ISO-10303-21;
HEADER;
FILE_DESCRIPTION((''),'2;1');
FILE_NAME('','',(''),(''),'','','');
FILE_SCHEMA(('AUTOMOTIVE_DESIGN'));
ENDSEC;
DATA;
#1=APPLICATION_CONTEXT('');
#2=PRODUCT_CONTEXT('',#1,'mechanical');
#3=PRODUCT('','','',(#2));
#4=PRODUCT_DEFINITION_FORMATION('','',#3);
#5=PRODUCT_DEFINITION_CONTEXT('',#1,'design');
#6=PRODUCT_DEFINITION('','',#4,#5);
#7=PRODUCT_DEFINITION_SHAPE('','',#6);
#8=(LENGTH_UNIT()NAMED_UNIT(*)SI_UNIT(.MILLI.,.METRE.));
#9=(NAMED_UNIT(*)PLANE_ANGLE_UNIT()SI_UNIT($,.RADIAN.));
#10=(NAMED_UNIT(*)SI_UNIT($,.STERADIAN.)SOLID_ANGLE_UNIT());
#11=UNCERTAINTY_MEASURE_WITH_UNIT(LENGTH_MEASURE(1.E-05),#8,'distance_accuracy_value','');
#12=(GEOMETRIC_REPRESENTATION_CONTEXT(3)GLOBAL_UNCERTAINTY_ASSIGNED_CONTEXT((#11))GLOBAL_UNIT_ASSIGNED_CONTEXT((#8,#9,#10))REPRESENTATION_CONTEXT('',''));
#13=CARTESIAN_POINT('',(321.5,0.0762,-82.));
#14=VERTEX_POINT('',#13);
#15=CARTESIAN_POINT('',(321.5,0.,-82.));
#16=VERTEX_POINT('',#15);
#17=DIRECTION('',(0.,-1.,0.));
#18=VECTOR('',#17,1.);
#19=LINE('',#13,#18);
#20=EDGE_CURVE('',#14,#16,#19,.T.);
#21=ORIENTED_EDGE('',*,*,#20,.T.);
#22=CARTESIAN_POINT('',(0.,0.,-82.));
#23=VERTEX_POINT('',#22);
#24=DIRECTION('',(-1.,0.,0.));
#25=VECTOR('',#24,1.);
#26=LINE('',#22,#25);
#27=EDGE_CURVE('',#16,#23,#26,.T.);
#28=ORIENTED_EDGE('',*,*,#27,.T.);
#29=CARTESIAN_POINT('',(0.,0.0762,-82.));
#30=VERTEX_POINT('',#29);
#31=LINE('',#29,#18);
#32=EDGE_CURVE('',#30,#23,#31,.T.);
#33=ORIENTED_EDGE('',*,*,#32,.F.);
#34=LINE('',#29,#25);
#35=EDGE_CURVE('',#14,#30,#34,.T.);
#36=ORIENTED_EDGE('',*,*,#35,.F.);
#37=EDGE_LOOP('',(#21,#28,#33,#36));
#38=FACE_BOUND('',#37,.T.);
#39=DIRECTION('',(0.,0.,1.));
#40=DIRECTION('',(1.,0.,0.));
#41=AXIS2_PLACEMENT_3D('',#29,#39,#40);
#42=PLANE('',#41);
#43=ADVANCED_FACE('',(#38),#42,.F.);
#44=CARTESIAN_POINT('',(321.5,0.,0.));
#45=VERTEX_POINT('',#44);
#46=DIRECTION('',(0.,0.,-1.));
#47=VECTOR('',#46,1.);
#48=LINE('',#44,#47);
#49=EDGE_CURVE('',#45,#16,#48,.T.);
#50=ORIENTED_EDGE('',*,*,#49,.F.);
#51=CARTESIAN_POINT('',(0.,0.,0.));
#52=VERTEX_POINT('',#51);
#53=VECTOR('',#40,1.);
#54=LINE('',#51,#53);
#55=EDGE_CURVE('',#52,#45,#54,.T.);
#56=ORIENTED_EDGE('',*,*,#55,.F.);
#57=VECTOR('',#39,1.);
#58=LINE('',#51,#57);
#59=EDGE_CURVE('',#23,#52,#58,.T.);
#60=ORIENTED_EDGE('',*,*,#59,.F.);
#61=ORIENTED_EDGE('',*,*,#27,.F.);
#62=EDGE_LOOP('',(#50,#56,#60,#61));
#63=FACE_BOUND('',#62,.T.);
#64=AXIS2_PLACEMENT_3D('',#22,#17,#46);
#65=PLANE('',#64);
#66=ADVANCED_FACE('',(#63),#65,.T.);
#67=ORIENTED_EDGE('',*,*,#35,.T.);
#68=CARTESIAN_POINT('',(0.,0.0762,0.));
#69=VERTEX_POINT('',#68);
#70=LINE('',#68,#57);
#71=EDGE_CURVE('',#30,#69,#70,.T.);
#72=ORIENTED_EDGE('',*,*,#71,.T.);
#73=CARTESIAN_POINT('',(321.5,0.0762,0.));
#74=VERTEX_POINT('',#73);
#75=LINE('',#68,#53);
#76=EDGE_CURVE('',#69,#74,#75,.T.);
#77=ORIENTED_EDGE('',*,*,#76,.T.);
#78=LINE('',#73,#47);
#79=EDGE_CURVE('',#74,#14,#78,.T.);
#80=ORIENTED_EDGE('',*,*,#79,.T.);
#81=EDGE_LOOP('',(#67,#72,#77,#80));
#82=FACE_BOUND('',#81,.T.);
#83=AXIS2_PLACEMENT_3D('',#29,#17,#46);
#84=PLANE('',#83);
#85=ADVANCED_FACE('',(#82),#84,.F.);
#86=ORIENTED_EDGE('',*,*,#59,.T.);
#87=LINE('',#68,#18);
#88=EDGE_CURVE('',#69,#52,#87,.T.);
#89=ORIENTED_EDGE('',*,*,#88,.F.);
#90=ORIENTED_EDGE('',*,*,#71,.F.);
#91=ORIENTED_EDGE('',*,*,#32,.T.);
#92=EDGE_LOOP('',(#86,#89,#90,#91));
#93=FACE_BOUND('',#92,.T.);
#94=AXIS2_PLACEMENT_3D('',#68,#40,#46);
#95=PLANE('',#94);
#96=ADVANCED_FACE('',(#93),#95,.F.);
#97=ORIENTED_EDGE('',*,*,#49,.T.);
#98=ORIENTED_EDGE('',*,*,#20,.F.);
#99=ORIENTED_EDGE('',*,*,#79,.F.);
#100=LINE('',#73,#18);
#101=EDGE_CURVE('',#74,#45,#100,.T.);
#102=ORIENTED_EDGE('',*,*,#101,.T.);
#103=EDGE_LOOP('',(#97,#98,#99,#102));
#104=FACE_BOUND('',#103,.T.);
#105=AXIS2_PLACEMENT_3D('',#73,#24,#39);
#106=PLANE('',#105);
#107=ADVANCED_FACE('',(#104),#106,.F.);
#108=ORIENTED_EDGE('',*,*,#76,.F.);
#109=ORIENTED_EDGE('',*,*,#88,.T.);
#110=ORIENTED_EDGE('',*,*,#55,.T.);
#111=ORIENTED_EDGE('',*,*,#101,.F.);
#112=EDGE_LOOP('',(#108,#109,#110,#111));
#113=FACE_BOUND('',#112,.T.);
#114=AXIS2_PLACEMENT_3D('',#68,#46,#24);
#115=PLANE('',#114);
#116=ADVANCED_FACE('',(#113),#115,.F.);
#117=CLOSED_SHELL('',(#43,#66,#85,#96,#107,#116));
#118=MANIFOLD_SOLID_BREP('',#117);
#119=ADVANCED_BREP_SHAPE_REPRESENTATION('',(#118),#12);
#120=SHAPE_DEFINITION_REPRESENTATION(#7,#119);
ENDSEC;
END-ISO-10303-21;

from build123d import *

# Parameters (mm, degrees)
SKETCH1_W     = 321.5
SKETCH1_H     = 82
COATING_DEPTH = 0.0762


with BuildPart() as part:
    # Sketch1 → Coating (new body)
    with BuildSketch(Plane(origin=(0, 0, 0), x_dir=(1, 0, 0), z_dir=(0, 1, 0))):
        with Locations((160.75, 41)):
            Rectangle(SKETCH1_W, SKETCH1_H)
    extrude(amount=COATING_DEPTH)


solid = part.part
